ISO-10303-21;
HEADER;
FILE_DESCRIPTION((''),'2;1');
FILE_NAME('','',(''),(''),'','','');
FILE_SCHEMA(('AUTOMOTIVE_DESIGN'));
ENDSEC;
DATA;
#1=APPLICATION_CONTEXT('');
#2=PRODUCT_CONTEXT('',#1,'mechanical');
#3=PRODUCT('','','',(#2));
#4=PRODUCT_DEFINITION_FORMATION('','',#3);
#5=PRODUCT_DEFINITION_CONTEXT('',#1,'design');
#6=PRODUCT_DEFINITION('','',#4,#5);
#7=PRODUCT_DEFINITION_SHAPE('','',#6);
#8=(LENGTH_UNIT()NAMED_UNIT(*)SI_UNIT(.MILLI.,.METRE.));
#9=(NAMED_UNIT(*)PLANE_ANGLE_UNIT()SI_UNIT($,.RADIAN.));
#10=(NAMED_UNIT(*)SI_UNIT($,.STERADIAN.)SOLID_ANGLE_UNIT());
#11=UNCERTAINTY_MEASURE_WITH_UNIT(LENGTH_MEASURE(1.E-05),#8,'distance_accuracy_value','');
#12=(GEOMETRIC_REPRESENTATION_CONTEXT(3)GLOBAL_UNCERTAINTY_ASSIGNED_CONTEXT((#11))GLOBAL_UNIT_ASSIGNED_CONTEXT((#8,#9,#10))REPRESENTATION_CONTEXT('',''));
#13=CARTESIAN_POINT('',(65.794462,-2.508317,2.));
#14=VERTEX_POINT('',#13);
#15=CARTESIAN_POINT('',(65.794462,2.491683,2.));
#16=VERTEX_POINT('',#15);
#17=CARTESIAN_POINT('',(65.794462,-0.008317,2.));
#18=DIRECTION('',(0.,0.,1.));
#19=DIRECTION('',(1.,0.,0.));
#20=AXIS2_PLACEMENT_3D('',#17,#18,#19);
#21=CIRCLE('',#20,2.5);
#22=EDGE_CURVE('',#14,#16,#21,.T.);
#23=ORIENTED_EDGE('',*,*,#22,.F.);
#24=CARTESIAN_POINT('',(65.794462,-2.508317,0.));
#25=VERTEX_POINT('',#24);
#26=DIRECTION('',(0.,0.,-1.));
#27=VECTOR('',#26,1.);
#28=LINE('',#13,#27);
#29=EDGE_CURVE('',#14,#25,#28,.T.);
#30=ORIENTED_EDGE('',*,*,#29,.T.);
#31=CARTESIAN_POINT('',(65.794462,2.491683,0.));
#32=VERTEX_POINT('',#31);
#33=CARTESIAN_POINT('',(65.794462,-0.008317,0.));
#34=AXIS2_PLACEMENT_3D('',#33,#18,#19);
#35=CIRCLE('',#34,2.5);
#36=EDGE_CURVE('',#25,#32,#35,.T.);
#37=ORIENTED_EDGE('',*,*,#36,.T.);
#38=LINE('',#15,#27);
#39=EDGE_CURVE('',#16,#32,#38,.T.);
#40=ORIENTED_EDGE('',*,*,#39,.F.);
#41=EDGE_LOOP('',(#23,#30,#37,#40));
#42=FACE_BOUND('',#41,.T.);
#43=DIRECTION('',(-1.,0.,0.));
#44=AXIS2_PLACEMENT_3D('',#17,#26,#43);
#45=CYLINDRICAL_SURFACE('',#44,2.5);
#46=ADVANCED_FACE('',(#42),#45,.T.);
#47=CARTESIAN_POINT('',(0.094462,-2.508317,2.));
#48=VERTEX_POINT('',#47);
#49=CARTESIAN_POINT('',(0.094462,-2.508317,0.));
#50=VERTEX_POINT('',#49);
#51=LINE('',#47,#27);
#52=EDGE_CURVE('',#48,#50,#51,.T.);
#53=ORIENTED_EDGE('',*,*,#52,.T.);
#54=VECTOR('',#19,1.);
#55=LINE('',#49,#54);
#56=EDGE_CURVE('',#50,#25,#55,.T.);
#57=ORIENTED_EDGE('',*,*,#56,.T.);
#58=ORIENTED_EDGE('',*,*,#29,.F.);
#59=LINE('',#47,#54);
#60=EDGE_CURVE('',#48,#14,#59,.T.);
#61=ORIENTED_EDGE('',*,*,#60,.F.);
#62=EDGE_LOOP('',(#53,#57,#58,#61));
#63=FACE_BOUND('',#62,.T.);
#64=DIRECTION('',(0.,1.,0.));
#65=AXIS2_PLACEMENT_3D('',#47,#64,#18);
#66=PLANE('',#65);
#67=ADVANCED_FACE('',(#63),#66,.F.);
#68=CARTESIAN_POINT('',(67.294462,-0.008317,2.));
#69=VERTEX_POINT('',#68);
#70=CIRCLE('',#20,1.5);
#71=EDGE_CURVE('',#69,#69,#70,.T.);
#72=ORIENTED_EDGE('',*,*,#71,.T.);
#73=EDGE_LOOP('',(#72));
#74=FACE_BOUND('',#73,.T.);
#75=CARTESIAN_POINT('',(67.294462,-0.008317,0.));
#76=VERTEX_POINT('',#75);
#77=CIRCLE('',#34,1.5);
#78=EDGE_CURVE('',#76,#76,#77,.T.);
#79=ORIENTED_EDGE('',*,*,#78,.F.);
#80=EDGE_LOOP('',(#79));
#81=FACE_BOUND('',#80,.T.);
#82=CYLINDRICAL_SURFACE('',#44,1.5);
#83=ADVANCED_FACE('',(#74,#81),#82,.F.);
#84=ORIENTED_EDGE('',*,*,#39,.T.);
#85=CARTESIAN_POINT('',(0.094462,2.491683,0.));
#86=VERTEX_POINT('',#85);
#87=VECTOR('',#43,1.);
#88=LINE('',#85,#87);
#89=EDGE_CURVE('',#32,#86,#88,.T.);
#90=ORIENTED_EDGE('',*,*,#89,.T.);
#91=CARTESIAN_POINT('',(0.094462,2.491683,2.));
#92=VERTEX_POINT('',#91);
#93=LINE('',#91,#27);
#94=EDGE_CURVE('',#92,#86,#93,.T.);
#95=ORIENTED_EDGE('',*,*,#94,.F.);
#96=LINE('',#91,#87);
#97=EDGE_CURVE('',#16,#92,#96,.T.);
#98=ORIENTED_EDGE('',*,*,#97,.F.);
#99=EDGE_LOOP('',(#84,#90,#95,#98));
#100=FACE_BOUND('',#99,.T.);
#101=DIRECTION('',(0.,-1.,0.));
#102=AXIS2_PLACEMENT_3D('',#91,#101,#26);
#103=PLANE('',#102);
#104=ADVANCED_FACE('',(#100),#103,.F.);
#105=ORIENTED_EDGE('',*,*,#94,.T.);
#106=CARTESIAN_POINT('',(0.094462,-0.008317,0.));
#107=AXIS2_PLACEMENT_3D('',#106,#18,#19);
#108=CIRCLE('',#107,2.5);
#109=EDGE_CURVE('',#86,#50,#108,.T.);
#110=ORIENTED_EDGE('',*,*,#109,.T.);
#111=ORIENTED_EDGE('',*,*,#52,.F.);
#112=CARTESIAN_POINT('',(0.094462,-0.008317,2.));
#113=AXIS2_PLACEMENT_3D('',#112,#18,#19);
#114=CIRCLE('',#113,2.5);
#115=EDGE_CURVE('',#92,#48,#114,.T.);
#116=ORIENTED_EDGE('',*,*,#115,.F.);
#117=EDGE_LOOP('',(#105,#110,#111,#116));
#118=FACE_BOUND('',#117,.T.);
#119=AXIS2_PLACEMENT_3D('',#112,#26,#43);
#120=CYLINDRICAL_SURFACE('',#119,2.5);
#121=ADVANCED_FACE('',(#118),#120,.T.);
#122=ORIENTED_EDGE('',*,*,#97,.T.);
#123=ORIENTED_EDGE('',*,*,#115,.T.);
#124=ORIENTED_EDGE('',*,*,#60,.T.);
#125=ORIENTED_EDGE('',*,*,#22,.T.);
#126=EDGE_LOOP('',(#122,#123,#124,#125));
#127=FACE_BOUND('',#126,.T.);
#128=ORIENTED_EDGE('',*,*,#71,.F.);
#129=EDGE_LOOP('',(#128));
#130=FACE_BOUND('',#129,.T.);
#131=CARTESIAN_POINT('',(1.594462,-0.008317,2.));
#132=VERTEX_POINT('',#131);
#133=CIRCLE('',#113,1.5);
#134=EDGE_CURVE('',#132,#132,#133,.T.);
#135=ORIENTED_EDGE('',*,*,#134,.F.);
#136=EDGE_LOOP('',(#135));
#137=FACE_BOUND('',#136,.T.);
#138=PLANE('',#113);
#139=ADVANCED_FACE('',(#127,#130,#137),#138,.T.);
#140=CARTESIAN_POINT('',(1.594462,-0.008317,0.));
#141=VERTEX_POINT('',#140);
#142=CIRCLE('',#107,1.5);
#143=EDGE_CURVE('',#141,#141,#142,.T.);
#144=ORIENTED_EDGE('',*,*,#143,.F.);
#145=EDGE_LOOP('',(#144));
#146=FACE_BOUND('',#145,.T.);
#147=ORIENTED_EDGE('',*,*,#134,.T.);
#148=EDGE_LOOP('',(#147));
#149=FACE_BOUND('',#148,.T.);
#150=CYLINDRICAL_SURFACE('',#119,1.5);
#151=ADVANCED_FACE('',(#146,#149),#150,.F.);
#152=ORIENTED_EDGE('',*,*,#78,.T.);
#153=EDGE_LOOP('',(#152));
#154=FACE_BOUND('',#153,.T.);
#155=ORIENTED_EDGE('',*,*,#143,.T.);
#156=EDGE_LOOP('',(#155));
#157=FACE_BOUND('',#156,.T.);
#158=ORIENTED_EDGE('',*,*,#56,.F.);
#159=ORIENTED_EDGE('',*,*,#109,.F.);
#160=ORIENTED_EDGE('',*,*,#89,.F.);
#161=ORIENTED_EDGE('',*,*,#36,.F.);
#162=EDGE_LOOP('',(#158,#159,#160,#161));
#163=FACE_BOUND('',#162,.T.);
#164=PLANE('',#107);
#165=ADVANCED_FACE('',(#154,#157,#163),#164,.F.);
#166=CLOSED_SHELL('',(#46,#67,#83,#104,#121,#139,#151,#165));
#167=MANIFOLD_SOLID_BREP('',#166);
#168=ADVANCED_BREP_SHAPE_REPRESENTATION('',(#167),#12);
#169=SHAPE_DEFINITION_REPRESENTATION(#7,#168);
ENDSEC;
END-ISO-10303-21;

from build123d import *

# Parameters (mm, degrees)
SKETCH1_R           = 1.5
BOSS_EXTRUDE1_DEPTH = 2


with BuildPart() as part:
    # Sketch1 → Boss-Extrude1 (new body)
    with BuildSketch(Plane.XY):
        with BuildLine():
            Line((0.094462013, 2.491682866), (65.794462013, 2.491682866))
            ThreePointArc((65.794462013, 2.491682866), (68.294462013, -0.008317134), (65.794462013, -2.508317134))
            Line((65.794462013, -2.508317134), (0.094462013, -2.508317134))
            ThreePointArc((0.094462013, -2.508317134), (-2.405537987, -0.008317134), (0.094462013, 2.491682866))
        make_face()
        with Locations((0.094462013, -0.008317134)):
            Circle(SKETCH1_R, mode=Mode.SUBTRACT)
        with Locations((65.794462013, -0.008317134)):
            Circle(SKETCH1_R, mode=Mode.SUBTRACT)
    extrude(amount=BOSS_EXTRUDE1_DEPTH)


solid = part.part
